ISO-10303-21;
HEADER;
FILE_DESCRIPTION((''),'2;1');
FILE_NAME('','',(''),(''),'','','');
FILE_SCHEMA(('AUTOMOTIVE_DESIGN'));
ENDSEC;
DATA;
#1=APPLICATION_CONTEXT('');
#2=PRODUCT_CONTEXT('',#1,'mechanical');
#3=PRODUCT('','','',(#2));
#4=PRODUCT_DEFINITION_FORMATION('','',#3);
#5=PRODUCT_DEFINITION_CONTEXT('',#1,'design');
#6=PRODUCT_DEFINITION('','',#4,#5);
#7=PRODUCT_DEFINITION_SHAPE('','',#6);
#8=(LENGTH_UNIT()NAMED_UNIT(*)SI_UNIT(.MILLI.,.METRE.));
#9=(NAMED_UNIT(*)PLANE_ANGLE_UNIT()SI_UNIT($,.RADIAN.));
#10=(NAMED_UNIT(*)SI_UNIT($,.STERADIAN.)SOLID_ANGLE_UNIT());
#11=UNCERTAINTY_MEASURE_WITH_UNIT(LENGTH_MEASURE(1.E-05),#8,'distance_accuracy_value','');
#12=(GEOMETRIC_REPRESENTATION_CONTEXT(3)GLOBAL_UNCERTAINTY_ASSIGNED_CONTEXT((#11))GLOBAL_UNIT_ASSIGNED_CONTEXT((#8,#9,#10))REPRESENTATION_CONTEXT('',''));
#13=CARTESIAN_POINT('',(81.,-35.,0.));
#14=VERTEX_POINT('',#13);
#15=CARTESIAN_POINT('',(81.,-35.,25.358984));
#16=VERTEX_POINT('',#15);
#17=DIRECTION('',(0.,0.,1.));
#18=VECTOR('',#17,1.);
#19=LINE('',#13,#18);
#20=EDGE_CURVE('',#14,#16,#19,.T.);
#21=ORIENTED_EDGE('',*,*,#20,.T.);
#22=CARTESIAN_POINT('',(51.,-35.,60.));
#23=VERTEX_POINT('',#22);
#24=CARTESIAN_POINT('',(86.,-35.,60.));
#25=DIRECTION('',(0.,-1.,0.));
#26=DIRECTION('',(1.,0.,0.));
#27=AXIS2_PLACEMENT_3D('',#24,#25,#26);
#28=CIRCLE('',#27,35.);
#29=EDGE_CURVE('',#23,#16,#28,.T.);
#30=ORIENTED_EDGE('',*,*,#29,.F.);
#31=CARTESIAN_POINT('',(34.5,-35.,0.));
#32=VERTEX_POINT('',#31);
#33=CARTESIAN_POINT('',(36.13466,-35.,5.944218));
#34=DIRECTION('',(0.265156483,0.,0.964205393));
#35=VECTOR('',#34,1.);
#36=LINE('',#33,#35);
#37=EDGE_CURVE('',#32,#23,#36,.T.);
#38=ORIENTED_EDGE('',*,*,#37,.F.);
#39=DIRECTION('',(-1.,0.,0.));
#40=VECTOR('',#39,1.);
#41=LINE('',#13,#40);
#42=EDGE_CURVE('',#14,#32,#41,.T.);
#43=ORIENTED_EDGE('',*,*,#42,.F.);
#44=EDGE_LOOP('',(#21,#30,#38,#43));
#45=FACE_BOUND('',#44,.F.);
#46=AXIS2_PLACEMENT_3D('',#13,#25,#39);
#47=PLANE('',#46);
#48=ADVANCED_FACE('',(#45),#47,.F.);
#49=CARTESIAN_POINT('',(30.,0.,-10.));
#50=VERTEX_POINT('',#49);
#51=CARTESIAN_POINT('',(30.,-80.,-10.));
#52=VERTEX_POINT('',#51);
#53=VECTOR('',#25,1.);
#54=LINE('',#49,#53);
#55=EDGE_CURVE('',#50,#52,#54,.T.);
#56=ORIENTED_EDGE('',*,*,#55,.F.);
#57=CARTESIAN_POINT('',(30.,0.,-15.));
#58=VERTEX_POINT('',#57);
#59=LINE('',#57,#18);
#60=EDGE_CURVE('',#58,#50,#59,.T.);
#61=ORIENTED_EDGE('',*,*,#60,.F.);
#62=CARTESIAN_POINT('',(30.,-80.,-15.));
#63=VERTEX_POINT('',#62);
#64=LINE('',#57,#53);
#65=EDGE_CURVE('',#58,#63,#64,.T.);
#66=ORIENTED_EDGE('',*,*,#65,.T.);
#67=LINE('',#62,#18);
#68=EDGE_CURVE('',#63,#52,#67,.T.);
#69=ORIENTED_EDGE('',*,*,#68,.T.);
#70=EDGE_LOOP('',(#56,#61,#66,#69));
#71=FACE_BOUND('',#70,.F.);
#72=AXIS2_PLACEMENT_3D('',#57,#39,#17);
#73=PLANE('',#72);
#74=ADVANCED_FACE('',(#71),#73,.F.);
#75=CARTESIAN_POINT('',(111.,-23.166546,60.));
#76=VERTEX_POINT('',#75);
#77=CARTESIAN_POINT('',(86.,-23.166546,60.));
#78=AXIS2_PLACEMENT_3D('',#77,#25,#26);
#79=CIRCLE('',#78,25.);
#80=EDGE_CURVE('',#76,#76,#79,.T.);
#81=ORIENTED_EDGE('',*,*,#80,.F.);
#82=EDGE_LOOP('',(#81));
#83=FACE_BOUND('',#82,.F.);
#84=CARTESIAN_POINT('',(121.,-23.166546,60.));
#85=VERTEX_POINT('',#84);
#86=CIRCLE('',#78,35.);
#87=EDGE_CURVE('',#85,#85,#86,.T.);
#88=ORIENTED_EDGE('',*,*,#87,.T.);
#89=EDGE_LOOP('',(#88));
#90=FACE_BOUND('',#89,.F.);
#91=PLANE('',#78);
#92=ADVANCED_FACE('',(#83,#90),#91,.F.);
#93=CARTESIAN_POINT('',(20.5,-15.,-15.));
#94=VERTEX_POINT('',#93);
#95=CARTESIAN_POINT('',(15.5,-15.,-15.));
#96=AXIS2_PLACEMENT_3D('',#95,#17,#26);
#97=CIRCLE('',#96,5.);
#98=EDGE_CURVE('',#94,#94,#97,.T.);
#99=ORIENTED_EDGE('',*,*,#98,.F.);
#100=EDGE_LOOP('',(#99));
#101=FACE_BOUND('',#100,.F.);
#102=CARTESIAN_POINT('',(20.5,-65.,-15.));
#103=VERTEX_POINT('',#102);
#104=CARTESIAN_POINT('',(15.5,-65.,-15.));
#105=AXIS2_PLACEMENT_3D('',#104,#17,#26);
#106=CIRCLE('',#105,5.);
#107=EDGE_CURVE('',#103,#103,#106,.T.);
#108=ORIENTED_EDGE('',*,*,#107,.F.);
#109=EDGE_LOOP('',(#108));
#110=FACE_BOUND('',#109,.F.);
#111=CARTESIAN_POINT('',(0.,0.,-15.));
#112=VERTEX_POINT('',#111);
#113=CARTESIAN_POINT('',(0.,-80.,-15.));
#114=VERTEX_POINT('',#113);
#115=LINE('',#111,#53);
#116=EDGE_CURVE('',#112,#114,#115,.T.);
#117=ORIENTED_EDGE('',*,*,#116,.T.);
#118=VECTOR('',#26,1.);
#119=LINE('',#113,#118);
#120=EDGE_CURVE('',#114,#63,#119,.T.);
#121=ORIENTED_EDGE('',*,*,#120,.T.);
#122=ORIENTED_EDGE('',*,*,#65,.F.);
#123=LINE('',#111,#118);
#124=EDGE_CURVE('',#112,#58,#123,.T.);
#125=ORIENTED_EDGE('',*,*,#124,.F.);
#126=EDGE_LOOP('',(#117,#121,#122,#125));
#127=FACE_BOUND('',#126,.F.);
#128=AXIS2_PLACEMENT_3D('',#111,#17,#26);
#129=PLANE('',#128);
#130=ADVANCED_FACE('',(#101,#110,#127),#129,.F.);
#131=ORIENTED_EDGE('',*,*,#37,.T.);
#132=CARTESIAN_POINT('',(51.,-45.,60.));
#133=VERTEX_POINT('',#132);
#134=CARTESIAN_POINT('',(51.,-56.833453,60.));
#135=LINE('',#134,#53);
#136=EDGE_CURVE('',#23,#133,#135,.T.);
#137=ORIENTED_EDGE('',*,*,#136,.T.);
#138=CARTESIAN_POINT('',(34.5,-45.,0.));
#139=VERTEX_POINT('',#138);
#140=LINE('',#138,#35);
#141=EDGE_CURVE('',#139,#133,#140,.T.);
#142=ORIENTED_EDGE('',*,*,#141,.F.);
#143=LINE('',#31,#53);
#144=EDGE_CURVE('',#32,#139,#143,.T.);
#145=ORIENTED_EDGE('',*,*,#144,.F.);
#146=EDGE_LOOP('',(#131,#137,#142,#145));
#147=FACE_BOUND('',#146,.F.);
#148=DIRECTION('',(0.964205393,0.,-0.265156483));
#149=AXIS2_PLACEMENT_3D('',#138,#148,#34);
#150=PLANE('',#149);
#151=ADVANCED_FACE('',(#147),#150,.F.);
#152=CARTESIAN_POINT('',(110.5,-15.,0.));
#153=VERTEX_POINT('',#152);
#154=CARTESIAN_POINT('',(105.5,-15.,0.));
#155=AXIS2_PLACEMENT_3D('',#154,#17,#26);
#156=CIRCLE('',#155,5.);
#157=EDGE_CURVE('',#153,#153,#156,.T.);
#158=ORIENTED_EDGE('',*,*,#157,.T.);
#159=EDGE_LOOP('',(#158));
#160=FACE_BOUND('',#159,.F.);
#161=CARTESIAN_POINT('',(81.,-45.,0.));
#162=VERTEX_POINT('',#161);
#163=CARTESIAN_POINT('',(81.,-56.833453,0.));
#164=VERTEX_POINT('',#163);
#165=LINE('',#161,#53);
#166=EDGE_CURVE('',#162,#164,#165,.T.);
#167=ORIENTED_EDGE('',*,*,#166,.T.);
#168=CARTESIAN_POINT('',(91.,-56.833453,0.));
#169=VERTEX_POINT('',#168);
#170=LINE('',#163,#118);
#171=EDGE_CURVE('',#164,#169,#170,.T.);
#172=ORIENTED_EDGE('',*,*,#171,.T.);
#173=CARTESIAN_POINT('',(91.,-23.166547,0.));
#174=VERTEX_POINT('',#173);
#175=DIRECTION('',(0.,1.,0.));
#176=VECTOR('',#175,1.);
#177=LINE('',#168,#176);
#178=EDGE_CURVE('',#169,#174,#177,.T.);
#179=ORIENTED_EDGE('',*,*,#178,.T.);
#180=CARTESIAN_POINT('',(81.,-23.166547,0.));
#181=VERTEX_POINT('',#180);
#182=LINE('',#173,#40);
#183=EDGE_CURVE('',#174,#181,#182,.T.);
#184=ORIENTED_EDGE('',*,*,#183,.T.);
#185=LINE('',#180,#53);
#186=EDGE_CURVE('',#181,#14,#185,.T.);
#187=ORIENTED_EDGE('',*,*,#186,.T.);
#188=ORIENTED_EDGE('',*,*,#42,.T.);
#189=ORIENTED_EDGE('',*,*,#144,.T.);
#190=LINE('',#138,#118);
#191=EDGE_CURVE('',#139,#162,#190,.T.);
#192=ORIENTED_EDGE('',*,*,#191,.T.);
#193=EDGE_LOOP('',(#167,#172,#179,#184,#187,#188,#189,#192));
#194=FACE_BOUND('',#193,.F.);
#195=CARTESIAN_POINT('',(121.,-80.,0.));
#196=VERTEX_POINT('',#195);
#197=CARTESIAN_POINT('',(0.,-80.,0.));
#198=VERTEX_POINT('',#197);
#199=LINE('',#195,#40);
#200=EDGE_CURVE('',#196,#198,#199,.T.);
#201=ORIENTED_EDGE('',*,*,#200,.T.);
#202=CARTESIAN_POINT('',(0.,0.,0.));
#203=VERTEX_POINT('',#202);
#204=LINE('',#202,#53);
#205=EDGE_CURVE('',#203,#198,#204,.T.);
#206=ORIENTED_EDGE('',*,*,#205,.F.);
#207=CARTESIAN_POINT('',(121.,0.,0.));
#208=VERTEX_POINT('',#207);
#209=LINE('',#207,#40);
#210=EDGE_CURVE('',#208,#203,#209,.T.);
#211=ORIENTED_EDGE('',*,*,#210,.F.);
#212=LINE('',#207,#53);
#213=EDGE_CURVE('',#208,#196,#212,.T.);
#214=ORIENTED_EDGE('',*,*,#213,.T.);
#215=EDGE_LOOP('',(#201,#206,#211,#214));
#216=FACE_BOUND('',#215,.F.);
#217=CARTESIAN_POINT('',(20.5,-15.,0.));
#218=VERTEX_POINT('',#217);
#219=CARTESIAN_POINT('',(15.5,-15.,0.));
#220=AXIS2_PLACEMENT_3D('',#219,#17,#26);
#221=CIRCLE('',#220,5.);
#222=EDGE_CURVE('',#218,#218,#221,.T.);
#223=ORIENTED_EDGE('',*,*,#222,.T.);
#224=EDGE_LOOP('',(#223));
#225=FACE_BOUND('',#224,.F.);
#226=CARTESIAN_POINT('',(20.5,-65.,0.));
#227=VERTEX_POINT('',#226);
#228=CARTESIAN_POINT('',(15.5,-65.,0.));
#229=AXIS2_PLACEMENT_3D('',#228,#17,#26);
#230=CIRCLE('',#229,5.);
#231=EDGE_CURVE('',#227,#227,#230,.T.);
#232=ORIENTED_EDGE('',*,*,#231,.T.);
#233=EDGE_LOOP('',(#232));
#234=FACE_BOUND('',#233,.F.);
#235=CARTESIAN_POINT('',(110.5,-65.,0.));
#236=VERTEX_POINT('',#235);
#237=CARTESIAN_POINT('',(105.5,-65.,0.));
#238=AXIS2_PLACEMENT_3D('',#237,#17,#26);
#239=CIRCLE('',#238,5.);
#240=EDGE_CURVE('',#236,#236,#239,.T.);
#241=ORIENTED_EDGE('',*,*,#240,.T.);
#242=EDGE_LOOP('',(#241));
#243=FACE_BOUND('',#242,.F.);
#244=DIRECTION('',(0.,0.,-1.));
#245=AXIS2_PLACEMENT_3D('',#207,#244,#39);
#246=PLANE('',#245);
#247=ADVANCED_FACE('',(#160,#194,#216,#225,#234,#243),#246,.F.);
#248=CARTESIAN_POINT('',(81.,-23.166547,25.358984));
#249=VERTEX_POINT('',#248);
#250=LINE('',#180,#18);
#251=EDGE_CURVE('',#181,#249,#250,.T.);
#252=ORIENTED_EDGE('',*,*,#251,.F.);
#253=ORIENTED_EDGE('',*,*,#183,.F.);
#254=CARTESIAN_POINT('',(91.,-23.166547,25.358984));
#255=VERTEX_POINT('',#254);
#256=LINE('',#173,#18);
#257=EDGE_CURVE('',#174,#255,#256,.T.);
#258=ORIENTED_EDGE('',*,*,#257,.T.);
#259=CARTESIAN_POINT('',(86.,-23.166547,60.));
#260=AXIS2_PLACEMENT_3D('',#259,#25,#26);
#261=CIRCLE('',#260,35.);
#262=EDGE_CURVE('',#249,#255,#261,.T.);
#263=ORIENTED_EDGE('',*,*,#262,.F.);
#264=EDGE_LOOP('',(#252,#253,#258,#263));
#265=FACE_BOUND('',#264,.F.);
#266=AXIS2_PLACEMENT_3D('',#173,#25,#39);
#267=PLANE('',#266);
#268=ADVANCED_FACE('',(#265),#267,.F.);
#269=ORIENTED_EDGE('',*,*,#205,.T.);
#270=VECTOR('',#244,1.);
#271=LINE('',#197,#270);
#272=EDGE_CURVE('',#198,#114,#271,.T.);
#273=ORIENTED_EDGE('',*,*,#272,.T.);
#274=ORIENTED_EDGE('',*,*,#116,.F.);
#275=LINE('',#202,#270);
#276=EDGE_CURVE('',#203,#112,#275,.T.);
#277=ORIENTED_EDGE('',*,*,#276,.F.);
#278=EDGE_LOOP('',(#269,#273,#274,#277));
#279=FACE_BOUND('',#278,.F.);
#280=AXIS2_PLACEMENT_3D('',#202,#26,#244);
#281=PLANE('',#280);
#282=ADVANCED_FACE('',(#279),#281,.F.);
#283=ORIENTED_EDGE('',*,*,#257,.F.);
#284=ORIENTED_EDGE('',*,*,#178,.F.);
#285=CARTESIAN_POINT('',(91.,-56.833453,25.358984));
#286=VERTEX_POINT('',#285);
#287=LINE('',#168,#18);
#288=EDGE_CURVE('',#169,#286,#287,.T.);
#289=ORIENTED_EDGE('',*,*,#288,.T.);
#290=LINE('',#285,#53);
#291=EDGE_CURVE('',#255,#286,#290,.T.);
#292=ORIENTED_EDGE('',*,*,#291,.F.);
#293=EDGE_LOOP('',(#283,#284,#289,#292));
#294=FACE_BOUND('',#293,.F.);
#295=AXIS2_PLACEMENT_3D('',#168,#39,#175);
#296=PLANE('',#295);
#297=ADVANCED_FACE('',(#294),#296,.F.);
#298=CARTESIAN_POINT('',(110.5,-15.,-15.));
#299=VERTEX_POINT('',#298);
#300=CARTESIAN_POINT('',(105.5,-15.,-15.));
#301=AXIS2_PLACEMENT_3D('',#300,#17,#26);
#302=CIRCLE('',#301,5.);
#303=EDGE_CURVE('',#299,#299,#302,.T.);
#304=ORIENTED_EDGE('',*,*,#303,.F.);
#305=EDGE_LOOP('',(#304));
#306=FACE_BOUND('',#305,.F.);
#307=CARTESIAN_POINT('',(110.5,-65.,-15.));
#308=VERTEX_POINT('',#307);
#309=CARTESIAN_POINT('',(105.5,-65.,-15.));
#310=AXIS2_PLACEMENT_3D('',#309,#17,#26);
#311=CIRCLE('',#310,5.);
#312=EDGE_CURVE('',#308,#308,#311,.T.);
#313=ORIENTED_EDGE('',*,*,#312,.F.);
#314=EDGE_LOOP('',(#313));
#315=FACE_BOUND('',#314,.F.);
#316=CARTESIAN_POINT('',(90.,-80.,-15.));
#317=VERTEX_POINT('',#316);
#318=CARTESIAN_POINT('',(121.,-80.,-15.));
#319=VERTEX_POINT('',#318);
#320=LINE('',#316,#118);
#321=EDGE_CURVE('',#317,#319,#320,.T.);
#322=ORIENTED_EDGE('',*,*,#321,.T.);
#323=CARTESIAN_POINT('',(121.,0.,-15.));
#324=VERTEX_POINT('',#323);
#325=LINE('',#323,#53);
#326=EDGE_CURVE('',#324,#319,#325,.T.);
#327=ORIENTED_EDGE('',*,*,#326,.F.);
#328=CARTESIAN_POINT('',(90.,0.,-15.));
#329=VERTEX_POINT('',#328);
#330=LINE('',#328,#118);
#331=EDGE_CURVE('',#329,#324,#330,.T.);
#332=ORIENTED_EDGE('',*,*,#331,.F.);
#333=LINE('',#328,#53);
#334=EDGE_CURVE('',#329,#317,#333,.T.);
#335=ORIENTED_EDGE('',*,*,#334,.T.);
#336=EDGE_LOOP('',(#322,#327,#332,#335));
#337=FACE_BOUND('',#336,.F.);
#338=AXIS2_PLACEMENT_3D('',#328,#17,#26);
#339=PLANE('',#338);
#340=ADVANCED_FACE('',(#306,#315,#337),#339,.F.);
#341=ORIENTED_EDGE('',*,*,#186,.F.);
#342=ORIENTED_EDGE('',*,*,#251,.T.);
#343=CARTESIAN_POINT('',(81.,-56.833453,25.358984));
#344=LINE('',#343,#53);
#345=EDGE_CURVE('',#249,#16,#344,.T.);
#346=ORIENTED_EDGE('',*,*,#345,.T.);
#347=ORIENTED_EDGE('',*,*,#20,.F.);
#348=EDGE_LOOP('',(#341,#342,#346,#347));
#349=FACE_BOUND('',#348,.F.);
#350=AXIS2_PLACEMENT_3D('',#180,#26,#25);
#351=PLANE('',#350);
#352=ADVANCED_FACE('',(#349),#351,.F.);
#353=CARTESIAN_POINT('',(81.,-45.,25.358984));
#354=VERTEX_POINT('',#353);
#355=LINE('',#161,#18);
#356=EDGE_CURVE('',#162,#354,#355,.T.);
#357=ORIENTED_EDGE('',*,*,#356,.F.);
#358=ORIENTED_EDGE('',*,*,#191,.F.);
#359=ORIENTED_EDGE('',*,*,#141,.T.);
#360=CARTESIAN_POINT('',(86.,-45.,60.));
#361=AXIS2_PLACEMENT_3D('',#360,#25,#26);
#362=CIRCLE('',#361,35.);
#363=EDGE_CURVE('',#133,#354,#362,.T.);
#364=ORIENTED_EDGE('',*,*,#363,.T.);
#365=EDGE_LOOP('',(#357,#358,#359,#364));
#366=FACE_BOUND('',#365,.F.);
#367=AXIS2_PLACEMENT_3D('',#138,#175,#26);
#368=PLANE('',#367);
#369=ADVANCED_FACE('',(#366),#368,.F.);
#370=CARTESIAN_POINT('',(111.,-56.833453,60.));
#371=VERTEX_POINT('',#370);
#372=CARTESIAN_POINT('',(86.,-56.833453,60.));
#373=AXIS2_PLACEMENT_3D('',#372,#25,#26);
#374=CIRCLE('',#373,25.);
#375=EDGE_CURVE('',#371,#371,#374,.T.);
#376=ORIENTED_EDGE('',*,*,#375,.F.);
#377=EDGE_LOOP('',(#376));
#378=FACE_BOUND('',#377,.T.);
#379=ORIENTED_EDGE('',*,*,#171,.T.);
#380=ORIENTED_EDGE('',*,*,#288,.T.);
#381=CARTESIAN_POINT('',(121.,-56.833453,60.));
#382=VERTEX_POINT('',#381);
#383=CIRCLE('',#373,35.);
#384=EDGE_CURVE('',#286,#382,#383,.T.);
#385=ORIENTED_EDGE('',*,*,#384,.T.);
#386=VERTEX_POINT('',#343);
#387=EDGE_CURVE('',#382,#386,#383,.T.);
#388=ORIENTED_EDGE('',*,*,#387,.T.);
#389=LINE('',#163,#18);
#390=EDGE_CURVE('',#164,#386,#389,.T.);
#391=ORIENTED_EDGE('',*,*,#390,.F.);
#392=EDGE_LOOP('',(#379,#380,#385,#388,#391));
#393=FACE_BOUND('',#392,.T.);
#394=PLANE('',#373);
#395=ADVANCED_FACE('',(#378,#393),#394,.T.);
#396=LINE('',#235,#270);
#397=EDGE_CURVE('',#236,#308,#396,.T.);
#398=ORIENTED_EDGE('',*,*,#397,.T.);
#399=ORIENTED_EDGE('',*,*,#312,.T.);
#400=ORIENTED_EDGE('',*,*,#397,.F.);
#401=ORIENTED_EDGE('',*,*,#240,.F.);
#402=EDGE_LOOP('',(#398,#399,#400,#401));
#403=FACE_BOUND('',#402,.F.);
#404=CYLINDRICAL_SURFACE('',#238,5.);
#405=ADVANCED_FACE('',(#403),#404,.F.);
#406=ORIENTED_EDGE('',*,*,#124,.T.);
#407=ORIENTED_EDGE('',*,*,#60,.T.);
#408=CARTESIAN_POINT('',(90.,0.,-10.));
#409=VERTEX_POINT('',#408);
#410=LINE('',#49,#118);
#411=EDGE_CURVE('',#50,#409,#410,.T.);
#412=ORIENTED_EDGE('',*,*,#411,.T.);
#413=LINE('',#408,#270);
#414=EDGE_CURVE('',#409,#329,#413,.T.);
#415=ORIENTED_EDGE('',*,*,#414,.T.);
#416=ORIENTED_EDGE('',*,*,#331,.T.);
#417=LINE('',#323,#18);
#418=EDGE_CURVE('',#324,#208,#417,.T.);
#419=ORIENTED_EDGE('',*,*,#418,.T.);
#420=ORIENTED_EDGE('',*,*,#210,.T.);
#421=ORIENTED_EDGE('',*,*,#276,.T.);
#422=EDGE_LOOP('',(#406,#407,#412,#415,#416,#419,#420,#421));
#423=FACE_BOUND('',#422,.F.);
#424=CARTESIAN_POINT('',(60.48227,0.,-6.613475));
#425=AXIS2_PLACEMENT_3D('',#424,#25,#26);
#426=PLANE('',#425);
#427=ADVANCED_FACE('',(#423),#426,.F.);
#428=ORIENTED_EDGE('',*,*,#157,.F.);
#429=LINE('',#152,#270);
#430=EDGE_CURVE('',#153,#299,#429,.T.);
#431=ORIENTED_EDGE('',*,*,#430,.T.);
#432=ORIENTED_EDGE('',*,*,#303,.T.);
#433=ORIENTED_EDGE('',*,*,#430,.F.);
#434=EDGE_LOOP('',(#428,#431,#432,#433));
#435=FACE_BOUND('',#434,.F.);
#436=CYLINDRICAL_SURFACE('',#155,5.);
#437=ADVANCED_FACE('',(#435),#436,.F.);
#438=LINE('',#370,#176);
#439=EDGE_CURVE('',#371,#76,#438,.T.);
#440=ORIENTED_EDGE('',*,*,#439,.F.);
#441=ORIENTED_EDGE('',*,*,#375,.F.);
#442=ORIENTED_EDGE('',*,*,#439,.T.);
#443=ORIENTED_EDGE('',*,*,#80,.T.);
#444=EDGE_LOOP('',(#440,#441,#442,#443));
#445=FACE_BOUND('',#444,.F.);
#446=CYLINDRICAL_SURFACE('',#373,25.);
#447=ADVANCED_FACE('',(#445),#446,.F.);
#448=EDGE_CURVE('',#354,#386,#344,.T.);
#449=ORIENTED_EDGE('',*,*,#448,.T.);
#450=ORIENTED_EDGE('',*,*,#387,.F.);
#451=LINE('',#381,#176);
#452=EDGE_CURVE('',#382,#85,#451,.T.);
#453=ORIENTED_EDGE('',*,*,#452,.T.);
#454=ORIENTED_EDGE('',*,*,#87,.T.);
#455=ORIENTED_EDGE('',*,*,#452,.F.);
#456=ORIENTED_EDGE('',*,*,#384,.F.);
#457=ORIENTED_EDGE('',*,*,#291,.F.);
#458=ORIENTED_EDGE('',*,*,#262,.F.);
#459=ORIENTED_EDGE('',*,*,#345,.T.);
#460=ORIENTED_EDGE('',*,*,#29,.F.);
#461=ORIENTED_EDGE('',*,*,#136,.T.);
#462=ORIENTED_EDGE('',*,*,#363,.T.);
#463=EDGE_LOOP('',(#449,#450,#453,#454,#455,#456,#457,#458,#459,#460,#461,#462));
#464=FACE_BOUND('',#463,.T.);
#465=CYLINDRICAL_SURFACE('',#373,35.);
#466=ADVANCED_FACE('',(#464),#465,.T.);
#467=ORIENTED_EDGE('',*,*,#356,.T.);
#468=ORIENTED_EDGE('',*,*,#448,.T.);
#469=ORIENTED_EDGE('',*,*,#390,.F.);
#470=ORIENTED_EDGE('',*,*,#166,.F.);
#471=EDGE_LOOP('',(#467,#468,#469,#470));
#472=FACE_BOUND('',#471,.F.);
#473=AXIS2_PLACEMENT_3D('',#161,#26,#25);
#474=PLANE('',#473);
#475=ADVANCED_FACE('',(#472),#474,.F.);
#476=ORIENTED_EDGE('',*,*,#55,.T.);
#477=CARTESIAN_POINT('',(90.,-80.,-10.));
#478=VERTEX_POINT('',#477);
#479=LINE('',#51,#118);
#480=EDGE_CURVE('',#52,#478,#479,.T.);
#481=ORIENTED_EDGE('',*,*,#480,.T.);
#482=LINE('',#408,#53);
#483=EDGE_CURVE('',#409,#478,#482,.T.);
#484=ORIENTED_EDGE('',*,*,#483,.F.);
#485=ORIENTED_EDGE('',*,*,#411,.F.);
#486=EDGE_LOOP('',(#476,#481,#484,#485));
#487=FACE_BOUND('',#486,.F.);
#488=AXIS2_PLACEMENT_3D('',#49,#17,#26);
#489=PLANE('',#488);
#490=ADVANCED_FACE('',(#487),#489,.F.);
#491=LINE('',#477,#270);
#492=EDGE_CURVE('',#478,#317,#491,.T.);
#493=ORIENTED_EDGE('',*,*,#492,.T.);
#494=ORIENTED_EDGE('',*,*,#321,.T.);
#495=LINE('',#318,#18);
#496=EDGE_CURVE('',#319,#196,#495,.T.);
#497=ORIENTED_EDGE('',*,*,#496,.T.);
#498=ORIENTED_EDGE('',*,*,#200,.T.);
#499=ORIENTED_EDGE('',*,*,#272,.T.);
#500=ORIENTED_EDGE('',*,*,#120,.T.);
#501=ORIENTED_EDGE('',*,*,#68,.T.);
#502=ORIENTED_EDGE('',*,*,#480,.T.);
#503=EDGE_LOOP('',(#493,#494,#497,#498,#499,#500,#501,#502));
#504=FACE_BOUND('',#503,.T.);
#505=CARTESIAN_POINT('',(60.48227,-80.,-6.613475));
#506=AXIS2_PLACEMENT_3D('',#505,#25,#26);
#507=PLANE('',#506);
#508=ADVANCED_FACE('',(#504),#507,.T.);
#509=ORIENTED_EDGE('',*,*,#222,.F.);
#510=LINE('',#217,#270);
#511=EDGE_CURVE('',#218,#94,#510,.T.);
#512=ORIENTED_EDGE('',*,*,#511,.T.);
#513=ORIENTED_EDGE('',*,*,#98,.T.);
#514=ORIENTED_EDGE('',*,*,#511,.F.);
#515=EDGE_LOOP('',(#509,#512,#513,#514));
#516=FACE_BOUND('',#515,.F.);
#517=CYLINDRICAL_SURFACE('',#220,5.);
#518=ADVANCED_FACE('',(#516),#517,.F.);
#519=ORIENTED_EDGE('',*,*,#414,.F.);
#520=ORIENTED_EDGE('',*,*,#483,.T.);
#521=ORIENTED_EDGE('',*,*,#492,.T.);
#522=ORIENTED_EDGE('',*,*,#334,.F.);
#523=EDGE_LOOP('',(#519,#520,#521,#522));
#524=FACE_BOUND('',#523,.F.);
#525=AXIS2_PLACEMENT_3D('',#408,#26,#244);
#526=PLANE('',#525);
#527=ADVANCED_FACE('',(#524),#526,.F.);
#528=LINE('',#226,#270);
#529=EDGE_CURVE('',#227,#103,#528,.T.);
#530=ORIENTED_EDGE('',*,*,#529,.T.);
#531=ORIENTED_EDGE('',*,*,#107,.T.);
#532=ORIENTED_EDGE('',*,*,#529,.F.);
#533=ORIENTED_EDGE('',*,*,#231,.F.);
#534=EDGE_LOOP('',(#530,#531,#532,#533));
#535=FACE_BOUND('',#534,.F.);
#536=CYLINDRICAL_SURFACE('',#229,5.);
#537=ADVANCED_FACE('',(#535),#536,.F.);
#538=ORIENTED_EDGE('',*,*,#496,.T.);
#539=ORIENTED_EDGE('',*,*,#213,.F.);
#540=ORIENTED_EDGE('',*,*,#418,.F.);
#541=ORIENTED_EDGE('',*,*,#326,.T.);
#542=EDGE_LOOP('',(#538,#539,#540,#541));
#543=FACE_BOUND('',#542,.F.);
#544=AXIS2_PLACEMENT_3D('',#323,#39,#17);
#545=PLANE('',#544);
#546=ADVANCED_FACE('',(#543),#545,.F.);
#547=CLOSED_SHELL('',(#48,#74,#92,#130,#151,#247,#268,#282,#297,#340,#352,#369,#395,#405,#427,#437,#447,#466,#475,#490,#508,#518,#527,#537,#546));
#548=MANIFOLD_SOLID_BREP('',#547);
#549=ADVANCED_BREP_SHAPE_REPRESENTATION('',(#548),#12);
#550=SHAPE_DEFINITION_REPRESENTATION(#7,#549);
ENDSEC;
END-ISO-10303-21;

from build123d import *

# Parameters (mm, degrees)
F1_DEPTH  = 80
F2_R      = 5
F3_DEPTH  = 25
F5_DEPTH  = 60
F6_R      = 35
F7_DEPTH  = 33.666907
F8_R      = 25
F9_DEPTH  = 52.6
F11_DEPTH = 25


with BuildPart() as f1:
    # F0 (on Front) → F1 (new body)
    with BuildSketch(Plane.XZ):
        Polygon((121, 0), (0, 0), (0, -15), (30, -15), (30, -10), (90, -10), (90, -15), (121, -15), align=None)
    extrude(amount=F1_DEPTH)

    # F2 (on face) → F3 (cut)
    with BuildSketch(Plane.XY):
        with Locations((15.5, -15)):
            Circle(F2_R)
        with Locations((15.5, -65)):
            Circle(F2_R)
        with Locations((105.5, -65)):
            Circle(F2_R)
        with Locations((105.5, -15)):
            Circle(F2_R)
    extrude(amount=-F3_DEPTH, mode=Mode.SUBTRACT)

    # F4 (on face) → F5 (join)
    with BuildSketch(Plane.XY):
        Polygon((34.5, -45), (81, -45), (81, -56.833453), (91, -56.833453), (91, -45), (91, -35), (91, -23.166547), (81, -23.166547), (81, -35), (34.5, -35), align=None)
    extrude(amount=F5_DEPTH)

    # F6 (on face) → F7 (join, through all)
    with BuildSketch(Plane.XZ.offset(56.833453)):
        with Locations((86, 60)):
            Circle(F6_R)
    extrude(amount=-F7_DEPTH)

    # F8 (on face) → F9 (cut)
    with BuildSketch(Plane.XZ.offset(56.833453)):
        with Locations((86, 60)):
            Circle(F8_R)
    extrude(amount=-F9_DEPTH, mode=Mode.SUBTRACT)

    # F10 (on face) → F11 (cut)
    with BuildSketch(Plane.XZ.offset(45)):
        Polygon((34.5, 60), (34.5, 0), (51, 60), align=None)
    extrude(amount=-F11_DEPTH, mode=Mode.SUBTRACT)


solid = f1.part
